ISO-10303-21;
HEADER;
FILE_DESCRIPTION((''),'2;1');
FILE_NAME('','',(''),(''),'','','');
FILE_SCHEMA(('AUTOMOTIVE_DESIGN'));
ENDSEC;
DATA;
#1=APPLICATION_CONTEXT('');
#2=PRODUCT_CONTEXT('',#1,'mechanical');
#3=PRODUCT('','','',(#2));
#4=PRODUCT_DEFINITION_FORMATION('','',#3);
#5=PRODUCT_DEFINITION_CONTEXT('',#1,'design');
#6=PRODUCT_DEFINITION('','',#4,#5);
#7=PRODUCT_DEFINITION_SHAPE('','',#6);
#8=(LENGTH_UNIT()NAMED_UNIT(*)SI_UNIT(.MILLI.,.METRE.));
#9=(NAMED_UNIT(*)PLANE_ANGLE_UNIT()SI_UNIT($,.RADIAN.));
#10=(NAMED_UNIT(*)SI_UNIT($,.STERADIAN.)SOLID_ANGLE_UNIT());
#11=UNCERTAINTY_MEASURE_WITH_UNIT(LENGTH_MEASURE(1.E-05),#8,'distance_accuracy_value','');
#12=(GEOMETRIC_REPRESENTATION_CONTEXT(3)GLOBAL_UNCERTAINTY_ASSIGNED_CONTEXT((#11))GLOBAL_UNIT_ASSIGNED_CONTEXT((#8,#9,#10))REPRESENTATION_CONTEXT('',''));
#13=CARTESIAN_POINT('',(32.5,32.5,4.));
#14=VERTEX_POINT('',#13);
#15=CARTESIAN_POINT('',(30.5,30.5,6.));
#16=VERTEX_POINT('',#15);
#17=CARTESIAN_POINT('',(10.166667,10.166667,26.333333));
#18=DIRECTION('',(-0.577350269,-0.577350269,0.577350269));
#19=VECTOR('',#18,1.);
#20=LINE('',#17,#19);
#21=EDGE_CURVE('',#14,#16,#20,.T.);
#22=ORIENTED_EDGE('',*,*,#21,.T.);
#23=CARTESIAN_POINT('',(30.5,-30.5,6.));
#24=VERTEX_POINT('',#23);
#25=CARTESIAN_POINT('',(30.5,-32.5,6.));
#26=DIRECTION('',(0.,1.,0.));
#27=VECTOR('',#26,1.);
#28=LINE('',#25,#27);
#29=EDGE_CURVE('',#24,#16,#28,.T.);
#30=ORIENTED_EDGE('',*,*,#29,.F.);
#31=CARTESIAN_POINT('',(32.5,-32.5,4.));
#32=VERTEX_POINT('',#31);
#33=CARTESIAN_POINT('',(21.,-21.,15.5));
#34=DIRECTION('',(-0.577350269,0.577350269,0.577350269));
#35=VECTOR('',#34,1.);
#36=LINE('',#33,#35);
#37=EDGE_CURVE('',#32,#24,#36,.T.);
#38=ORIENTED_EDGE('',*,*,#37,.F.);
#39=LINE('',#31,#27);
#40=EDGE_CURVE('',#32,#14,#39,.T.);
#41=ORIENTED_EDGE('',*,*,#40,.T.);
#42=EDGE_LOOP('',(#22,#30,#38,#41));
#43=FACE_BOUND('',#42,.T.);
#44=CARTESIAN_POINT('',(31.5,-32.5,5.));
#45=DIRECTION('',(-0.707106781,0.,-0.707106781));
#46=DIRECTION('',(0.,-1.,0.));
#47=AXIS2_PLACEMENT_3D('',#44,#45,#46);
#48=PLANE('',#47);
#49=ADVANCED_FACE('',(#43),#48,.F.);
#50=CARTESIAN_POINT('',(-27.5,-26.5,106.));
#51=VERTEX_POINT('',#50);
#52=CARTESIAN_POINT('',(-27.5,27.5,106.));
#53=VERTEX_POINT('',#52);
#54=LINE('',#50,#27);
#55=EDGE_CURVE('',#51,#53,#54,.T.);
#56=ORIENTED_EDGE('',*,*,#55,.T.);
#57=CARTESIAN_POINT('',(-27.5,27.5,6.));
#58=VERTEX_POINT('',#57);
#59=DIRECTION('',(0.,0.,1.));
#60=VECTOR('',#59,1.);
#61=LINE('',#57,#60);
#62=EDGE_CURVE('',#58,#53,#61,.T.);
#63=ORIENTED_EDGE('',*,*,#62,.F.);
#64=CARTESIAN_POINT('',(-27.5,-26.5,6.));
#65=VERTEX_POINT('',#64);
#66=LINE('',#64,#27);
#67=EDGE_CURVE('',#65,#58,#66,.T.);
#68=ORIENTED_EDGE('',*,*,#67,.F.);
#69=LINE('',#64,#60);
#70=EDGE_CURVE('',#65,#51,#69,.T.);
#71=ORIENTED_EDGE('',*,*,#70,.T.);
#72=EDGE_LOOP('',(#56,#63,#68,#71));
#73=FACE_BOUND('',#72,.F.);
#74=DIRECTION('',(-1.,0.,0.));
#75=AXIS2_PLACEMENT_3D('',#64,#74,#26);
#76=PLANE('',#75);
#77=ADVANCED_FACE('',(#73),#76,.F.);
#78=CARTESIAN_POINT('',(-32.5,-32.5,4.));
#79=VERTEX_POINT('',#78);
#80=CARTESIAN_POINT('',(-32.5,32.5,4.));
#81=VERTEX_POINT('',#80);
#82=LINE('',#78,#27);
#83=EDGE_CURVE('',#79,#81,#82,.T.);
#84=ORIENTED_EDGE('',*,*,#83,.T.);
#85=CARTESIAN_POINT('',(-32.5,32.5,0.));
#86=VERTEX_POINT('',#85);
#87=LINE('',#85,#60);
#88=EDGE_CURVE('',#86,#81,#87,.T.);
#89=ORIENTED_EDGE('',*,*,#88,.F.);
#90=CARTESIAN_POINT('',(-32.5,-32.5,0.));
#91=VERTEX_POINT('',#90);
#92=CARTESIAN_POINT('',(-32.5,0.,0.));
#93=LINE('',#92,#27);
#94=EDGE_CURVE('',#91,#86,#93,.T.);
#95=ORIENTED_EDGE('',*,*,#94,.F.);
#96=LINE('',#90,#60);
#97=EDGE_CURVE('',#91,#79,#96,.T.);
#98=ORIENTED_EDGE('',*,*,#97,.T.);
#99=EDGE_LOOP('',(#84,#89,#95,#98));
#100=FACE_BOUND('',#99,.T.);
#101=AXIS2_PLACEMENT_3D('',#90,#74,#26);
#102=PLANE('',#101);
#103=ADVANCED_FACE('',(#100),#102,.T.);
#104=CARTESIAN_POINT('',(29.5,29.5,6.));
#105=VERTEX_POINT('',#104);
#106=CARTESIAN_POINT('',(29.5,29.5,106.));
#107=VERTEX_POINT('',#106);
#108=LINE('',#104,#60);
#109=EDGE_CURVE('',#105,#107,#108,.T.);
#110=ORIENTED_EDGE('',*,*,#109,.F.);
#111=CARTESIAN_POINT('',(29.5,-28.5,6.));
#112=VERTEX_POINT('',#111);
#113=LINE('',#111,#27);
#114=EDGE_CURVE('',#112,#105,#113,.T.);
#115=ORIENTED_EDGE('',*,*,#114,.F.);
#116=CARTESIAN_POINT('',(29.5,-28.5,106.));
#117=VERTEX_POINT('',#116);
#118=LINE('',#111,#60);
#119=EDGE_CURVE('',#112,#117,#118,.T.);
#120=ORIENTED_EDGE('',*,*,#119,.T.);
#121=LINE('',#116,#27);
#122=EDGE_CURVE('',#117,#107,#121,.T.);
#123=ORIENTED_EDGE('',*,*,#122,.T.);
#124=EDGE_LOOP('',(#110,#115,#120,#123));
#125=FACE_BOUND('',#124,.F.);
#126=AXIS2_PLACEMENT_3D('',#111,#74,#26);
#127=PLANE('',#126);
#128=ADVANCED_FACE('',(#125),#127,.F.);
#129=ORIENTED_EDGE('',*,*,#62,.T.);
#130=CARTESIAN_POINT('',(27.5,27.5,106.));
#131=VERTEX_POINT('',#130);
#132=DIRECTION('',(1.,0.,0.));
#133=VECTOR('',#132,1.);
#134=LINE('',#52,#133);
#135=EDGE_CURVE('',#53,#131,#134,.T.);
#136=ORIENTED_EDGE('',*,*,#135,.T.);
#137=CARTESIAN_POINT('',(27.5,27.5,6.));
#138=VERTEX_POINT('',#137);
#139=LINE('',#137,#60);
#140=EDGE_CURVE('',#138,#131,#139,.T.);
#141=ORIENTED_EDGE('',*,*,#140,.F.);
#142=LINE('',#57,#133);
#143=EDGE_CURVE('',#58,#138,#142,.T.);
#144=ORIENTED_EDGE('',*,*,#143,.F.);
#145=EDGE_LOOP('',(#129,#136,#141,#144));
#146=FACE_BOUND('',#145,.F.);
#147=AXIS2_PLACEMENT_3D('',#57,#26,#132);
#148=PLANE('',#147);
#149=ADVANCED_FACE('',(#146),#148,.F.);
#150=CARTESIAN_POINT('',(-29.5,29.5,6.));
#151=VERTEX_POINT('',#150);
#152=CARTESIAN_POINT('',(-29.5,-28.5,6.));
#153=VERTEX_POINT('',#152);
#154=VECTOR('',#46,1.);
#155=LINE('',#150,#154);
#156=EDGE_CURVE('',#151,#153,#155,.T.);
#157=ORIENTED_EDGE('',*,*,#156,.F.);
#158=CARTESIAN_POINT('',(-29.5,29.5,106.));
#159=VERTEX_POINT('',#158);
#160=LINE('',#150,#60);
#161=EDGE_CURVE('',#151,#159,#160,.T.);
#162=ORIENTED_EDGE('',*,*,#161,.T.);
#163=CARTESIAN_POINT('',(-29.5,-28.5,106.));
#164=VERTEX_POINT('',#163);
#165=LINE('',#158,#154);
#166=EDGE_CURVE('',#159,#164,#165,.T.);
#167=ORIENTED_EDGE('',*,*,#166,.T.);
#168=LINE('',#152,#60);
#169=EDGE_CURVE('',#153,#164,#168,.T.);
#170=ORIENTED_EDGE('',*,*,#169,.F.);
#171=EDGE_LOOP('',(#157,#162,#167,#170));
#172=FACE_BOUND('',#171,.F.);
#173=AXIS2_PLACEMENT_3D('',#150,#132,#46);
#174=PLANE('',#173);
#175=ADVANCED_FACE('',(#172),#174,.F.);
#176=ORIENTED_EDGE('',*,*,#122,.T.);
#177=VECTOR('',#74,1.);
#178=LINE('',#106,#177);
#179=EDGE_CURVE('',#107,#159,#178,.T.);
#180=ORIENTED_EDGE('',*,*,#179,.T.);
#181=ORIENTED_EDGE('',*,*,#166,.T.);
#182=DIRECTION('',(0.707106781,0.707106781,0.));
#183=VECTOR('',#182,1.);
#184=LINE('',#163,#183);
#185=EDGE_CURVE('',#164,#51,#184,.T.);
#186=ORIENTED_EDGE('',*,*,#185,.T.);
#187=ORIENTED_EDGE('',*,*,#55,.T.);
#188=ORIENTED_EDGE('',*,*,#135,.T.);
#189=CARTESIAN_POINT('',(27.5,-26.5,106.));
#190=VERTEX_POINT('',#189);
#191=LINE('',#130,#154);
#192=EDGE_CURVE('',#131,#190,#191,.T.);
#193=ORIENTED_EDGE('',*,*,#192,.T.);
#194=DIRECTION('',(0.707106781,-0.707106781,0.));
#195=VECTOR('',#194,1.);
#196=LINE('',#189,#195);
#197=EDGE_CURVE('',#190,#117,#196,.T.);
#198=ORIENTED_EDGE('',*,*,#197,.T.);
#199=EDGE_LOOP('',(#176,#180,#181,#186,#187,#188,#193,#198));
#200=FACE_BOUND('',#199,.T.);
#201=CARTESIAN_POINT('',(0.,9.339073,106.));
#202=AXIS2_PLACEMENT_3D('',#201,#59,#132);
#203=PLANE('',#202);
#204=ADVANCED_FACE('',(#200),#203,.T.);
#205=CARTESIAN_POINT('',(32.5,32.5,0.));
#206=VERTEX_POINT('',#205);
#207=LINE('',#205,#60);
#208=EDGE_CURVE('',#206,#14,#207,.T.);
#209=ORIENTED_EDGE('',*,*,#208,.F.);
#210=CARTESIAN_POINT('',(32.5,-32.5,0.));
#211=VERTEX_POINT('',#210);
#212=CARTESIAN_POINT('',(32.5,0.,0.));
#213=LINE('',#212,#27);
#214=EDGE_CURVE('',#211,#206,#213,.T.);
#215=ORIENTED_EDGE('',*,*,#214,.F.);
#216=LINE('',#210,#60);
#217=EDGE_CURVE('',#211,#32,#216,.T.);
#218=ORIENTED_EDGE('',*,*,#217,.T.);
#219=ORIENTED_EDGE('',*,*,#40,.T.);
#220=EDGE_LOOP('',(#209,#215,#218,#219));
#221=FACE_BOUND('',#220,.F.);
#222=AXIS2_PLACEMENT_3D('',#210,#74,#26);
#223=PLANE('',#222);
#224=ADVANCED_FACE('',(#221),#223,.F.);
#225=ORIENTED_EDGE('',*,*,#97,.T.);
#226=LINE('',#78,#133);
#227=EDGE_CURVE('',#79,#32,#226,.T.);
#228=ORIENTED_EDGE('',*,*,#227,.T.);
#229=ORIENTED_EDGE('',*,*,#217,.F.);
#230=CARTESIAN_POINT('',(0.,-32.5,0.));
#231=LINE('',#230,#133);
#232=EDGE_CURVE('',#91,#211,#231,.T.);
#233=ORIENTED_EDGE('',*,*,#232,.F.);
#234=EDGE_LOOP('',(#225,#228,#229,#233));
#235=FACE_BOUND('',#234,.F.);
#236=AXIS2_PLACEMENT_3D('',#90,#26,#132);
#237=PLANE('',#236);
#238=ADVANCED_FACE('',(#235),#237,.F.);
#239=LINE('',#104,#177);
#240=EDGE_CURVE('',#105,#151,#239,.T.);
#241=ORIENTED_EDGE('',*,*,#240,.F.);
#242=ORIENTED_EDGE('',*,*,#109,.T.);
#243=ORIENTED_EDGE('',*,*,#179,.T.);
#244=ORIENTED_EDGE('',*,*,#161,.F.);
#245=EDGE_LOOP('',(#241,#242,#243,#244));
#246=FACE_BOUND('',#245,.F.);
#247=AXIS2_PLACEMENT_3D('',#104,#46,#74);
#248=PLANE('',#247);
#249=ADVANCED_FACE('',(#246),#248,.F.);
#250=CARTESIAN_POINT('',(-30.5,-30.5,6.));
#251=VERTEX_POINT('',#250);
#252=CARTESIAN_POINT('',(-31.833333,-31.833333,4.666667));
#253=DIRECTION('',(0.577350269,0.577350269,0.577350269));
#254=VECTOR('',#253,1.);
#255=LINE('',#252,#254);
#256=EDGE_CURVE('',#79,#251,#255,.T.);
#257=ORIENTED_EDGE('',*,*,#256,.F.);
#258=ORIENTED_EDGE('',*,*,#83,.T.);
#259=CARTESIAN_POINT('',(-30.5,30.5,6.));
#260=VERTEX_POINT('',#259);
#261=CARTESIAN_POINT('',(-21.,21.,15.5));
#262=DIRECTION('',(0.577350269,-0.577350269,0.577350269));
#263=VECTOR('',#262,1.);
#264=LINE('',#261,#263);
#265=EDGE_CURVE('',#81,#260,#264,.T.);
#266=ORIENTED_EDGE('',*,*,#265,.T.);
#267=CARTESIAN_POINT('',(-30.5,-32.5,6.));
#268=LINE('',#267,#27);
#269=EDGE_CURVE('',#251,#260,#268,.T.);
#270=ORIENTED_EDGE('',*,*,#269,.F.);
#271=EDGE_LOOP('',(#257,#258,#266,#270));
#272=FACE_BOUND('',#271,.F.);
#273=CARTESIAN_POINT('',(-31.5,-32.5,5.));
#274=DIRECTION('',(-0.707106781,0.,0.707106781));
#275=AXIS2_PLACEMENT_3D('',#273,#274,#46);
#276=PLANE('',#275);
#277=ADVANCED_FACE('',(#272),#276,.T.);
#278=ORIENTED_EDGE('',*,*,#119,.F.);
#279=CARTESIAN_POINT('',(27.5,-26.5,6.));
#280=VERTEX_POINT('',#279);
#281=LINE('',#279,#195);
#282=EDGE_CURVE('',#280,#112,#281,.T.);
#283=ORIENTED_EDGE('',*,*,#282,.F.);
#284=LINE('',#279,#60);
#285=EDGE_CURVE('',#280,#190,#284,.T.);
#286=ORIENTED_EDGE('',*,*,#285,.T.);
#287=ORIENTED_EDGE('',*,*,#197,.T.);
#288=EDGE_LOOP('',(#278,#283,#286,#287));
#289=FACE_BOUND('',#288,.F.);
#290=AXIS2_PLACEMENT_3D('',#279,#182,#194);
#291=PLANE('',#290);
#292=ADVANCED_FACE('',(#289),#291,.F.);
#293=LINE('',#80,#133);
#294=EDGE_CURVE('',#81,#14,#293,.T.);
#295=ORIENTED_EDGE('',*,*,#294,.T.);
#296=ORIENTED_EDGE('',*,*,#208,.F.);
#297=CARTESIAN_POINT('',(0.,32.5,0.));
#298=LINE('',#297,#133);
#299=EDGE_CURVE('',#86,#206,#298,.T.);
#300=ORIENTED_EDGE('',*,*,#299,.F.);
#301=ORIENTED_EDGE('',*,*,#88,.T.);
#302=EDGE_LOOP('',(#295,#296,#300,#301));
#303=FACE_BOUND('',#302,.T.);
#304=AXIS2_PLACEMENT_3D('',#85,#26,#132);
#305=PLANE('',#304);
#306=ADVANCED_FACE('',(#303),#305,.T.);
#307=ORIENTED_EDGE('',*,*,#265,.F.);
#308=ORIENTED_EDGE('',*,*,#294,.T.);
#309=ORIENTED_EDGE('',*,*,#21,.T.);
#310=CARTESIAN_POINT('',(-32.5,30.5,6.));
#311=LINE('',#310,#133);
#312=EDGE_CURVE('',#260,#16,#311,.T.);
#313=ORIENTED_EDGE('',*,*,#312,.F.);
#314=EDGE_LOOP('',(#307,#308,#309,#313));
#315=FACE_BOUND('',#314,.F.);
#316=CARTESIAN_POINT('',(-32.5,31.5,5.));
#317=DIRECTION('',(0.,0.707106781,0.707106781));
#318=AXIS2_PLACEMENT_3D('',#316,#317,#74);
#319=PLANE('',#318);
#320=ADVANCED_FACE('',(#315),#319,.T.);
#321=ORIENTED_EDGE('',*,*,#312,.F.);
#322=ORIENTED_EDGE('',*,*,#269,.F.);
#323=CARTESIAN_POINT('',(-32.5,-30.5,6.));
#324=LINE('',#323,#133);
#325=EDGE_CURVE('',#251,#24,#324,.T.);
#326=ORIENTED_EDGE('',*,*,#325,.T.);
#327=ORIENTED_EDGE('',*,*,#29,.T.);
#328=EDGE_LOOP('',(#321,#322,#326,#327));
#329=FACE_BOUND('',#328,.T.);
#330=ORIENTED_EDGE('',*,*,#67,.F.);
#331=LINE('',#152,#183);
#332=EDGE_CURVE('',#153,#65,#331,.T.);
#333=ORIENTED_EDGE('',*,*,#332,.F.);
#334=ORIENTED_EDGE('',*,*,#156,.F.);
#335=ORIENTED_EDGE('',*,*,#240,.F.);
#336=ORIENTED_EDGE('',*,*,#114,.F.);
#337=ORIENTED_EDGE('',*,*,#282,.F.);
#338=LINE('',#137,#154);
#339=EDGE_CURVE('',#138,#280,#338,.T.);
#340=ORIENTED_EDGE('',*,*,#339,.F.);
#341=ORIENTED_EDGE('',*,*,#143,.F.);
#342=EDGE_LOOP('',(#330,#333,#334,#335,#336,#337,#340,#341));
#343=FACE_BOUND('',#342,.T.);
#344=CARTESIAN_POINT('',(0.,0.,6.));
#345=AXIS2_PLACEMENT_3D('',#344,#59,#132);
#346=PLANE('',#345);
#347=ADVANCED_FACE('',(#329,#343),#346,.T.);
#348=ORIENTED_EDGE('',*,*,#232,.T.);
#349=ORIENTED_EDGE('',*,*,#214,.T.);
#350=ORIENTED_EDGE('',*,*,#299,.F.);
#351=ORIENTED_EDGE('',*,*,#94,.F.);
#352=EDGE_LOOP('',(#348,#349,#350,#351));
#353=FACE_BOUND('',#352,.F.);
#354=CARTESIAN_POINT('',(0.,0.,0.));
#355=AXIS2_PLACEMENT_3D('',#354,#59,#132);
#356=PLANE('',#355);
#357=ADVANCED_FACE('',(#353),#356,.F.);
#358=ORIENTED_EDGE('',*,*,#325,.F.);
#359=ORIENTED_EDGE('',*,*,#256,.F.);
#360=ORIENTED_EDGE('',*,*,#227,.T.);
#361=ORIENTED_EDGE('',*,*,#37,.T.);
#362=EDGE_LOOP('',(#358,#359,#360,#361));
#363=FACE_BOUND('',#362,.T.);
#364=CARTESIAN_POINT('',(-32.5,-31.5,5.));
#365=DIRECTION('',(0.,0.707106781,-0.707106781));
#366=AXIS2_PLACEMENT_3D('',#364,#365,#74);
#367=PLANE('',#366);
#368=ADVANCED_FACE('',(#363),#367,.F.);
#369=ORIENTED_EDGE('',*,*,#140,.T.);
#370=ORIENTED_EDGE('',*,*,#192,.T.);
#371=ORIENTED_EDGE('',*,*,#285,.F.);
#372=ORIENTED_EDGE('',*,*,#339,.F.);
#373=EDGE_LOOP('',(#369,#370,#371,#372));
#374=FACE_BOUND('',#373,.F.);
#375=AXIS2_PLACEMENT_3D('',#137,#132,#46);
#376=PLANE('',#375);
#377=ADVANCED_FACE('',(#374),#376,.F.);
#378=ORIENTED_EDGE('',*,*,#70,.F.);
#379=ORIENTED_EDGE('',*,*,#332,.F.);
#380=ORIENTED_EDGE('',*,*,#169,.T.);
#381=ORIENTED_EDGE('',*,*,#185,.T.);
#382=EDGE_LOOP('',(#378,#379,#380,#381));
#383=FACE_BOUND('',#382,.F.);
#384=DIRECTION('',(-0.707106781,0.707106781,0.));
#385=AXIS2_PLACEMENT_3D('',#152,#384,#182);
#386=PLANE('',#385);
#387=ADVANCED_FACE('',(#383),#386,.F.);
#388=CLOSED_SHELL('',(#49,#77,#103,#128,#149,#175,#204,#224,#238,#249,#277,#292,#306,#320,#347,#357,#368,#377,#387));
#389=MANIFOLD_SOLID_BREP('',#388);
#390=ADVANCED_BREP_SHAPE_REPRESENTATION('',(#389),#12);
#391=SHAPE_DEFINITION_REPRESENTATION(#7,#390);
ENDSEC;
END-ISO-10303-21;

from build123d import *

# Parameters (mm, degrees)
F0_W     = 65
F0_H     = 65
F1_DEPTH = 6
F2_SIZE  = 2
F4_DEPTH = 100


with BuildPart() as f1:
    # F0 (on Top) → F1 (new body)
    with BuildSketch(Plane.XY):
        Rectangle(F0_W, F0_H)
    extrude(amount=F1_DEPTH)

    # F2
    f2_edges = [f1.edges().sort_by_distance(p)[0] for p in [
        (0, -32.5, 6),
        (32.5, 0, 6),
        (0, 32.5, 6),
        (-32.5, 0, 6),
    ]]
    chamfer(f2_edges, length=F2_SIZE)

    # F3 (on face) → F4 (join)
    with BuildSketch(Plane.XY.offset(6)):
        Polygon((27.5, -26.5), (29.5, -28.5), (29.5, 29.5), (-29.5, 29.5), (-29.5, -28.5), (-27.5, -26.5), (-27.5, 27.5), (27.5, 27.5), align=None)
    extrude(amount=F4_DEPTH)


solid = f1.part
